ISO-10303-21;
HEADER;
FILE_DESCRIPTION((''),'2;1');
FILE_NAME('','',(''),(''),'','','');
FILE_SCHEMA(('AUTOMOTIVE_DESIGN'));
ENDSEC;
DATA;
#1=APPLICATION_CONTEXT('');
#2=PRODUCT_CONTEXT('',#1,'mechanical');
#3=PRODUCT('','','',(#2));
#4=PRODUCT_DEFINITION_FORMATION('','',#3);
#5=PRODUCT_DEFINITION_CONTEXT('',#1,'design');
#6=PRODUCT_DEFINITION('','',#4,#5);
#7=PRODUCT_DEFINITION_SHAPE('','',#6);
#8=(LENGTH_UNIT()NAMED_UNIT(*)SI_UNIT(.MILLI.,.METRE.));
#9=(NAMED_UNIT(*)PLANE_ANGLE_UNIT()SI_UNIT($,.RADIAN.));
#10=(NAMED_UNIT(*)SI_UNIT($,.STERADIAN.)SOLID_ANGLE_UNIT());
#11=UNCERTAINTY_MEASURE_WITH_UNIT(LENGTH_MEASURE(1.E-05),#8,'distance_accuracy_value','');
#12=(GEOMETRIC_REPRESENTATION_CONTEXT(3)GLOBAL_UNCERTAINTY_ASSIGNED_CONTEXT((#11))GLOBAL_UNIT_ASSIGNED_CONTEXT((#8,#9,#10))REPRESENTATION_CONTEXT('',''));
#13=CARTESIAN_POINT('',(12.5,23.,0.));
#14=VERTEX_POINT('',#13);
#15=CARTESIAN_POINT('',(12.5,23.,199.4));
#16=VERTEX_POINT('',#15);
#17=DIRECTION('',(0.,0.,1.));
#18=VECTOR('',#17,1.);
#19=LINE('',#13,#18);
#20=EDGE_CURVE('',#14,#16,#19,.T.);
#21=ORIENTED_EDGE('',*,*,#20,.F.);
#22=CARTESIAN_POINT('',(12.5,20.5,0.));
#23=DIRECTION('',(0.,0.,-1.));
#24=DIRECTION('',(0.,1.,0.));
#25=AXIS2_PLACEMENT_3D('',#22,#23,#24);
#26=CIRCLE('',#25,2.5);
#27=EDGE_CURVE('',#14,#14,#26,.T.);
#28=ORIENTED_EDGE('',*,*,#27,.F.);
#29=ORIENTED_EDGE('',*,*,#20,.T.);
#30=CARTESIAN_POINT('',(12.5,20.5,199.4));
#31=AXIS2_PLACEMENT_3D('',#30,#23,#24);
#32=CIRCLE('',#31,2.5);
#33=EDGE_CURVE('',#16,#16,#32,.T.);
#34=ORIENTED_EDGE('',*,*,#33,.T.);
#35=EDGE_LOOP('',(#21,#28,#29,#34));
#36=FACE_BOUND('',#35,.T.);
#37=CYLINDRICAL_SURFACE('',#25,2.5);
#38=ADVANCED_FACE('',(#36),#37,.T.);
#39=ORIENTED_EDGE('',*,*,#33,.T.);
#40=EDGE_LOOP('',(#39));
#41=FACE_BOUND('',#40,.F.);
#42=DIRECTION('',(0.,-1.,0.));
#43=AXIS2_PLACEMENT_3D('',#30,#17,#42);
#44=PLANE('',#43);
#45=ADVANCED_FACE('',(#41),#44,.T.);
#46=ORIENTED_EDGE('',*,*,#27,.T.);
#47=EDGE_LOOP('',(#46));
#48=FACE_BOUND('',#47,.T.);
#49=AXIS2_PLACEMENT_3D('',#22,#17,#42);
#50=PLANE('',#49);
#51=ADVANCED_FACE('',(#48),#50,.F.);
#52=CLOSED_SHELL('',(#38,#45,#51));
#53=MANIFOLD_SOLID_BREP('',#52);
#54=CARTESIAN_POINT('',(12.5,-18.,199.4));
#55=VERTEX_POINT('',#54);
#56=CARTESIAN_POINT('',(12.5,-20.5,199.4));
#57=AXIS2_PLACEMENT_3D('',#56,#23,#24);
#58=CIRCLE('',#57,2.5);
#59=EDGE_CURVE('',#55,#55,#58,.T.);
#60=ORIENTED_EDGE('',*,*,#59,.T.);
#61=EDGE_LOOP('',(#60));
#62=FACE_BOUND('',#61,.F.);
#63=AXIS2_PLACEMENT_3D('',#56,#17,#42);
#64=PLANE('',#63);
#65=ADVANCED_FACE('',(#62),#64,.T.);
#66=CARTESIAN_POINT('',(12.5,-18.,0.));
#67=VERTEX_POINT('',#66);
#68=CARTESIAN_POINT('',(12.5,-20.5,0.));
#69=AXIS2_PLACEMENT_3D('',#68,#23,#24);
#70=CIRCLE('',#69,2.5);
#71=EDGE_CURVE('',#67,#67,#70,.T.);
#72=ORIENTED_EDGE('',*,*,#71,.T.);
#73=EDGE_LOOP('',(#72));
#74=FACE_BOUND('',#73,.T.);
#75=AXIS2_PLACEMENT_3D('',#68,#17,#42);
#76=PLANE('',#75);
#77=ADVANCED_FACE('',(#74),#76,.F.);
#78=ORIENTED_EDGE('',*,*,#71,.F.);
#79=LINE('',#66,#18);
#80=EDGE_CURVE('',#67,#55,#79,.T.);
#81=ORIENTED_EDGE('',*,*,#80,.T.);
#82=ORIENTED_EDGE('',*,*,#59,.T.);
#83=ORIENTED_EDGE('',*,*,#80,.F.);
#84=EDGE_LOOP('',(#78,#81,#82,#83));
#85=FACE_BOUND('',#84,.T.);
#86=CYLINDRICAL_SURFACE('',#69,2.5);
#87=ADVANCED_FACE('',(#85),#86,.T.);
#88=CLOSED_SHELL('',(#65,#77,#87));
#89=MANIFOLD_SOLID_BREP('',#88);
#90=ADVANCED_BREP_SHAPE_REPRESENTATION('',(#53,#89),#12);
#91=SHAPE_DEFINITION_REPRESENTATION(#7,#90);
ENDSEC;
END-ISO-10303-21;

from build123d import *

# Parameters (mm, degrees)
BINDER_R      = 2.5
EXTRUDE_DEPTH = 199.4


with BuildPart() as extrude_body:
    # Binder → Extrude (new body)
    with BuildSketch(Plane(origin=(-12.5, -20.5, 0), x_dir=(0, 1, 0), z_dir=(0, 0, 1))):
        Circle(BINDER_R)
        with Locations((41, 0)):
            Circle(BINDER_R)
    extrude(amount=EXTRUDE_DEPTH)


with BuildPart() as mirror:
    # Part__Mirroring: instance of Extrude body
    add(extrude_body.part.mirror(Plane(origin=(0, 0, 0), x_dir=(0, -1, 0), z_dir=(1, 0, 0))))


solid = mirror.part
